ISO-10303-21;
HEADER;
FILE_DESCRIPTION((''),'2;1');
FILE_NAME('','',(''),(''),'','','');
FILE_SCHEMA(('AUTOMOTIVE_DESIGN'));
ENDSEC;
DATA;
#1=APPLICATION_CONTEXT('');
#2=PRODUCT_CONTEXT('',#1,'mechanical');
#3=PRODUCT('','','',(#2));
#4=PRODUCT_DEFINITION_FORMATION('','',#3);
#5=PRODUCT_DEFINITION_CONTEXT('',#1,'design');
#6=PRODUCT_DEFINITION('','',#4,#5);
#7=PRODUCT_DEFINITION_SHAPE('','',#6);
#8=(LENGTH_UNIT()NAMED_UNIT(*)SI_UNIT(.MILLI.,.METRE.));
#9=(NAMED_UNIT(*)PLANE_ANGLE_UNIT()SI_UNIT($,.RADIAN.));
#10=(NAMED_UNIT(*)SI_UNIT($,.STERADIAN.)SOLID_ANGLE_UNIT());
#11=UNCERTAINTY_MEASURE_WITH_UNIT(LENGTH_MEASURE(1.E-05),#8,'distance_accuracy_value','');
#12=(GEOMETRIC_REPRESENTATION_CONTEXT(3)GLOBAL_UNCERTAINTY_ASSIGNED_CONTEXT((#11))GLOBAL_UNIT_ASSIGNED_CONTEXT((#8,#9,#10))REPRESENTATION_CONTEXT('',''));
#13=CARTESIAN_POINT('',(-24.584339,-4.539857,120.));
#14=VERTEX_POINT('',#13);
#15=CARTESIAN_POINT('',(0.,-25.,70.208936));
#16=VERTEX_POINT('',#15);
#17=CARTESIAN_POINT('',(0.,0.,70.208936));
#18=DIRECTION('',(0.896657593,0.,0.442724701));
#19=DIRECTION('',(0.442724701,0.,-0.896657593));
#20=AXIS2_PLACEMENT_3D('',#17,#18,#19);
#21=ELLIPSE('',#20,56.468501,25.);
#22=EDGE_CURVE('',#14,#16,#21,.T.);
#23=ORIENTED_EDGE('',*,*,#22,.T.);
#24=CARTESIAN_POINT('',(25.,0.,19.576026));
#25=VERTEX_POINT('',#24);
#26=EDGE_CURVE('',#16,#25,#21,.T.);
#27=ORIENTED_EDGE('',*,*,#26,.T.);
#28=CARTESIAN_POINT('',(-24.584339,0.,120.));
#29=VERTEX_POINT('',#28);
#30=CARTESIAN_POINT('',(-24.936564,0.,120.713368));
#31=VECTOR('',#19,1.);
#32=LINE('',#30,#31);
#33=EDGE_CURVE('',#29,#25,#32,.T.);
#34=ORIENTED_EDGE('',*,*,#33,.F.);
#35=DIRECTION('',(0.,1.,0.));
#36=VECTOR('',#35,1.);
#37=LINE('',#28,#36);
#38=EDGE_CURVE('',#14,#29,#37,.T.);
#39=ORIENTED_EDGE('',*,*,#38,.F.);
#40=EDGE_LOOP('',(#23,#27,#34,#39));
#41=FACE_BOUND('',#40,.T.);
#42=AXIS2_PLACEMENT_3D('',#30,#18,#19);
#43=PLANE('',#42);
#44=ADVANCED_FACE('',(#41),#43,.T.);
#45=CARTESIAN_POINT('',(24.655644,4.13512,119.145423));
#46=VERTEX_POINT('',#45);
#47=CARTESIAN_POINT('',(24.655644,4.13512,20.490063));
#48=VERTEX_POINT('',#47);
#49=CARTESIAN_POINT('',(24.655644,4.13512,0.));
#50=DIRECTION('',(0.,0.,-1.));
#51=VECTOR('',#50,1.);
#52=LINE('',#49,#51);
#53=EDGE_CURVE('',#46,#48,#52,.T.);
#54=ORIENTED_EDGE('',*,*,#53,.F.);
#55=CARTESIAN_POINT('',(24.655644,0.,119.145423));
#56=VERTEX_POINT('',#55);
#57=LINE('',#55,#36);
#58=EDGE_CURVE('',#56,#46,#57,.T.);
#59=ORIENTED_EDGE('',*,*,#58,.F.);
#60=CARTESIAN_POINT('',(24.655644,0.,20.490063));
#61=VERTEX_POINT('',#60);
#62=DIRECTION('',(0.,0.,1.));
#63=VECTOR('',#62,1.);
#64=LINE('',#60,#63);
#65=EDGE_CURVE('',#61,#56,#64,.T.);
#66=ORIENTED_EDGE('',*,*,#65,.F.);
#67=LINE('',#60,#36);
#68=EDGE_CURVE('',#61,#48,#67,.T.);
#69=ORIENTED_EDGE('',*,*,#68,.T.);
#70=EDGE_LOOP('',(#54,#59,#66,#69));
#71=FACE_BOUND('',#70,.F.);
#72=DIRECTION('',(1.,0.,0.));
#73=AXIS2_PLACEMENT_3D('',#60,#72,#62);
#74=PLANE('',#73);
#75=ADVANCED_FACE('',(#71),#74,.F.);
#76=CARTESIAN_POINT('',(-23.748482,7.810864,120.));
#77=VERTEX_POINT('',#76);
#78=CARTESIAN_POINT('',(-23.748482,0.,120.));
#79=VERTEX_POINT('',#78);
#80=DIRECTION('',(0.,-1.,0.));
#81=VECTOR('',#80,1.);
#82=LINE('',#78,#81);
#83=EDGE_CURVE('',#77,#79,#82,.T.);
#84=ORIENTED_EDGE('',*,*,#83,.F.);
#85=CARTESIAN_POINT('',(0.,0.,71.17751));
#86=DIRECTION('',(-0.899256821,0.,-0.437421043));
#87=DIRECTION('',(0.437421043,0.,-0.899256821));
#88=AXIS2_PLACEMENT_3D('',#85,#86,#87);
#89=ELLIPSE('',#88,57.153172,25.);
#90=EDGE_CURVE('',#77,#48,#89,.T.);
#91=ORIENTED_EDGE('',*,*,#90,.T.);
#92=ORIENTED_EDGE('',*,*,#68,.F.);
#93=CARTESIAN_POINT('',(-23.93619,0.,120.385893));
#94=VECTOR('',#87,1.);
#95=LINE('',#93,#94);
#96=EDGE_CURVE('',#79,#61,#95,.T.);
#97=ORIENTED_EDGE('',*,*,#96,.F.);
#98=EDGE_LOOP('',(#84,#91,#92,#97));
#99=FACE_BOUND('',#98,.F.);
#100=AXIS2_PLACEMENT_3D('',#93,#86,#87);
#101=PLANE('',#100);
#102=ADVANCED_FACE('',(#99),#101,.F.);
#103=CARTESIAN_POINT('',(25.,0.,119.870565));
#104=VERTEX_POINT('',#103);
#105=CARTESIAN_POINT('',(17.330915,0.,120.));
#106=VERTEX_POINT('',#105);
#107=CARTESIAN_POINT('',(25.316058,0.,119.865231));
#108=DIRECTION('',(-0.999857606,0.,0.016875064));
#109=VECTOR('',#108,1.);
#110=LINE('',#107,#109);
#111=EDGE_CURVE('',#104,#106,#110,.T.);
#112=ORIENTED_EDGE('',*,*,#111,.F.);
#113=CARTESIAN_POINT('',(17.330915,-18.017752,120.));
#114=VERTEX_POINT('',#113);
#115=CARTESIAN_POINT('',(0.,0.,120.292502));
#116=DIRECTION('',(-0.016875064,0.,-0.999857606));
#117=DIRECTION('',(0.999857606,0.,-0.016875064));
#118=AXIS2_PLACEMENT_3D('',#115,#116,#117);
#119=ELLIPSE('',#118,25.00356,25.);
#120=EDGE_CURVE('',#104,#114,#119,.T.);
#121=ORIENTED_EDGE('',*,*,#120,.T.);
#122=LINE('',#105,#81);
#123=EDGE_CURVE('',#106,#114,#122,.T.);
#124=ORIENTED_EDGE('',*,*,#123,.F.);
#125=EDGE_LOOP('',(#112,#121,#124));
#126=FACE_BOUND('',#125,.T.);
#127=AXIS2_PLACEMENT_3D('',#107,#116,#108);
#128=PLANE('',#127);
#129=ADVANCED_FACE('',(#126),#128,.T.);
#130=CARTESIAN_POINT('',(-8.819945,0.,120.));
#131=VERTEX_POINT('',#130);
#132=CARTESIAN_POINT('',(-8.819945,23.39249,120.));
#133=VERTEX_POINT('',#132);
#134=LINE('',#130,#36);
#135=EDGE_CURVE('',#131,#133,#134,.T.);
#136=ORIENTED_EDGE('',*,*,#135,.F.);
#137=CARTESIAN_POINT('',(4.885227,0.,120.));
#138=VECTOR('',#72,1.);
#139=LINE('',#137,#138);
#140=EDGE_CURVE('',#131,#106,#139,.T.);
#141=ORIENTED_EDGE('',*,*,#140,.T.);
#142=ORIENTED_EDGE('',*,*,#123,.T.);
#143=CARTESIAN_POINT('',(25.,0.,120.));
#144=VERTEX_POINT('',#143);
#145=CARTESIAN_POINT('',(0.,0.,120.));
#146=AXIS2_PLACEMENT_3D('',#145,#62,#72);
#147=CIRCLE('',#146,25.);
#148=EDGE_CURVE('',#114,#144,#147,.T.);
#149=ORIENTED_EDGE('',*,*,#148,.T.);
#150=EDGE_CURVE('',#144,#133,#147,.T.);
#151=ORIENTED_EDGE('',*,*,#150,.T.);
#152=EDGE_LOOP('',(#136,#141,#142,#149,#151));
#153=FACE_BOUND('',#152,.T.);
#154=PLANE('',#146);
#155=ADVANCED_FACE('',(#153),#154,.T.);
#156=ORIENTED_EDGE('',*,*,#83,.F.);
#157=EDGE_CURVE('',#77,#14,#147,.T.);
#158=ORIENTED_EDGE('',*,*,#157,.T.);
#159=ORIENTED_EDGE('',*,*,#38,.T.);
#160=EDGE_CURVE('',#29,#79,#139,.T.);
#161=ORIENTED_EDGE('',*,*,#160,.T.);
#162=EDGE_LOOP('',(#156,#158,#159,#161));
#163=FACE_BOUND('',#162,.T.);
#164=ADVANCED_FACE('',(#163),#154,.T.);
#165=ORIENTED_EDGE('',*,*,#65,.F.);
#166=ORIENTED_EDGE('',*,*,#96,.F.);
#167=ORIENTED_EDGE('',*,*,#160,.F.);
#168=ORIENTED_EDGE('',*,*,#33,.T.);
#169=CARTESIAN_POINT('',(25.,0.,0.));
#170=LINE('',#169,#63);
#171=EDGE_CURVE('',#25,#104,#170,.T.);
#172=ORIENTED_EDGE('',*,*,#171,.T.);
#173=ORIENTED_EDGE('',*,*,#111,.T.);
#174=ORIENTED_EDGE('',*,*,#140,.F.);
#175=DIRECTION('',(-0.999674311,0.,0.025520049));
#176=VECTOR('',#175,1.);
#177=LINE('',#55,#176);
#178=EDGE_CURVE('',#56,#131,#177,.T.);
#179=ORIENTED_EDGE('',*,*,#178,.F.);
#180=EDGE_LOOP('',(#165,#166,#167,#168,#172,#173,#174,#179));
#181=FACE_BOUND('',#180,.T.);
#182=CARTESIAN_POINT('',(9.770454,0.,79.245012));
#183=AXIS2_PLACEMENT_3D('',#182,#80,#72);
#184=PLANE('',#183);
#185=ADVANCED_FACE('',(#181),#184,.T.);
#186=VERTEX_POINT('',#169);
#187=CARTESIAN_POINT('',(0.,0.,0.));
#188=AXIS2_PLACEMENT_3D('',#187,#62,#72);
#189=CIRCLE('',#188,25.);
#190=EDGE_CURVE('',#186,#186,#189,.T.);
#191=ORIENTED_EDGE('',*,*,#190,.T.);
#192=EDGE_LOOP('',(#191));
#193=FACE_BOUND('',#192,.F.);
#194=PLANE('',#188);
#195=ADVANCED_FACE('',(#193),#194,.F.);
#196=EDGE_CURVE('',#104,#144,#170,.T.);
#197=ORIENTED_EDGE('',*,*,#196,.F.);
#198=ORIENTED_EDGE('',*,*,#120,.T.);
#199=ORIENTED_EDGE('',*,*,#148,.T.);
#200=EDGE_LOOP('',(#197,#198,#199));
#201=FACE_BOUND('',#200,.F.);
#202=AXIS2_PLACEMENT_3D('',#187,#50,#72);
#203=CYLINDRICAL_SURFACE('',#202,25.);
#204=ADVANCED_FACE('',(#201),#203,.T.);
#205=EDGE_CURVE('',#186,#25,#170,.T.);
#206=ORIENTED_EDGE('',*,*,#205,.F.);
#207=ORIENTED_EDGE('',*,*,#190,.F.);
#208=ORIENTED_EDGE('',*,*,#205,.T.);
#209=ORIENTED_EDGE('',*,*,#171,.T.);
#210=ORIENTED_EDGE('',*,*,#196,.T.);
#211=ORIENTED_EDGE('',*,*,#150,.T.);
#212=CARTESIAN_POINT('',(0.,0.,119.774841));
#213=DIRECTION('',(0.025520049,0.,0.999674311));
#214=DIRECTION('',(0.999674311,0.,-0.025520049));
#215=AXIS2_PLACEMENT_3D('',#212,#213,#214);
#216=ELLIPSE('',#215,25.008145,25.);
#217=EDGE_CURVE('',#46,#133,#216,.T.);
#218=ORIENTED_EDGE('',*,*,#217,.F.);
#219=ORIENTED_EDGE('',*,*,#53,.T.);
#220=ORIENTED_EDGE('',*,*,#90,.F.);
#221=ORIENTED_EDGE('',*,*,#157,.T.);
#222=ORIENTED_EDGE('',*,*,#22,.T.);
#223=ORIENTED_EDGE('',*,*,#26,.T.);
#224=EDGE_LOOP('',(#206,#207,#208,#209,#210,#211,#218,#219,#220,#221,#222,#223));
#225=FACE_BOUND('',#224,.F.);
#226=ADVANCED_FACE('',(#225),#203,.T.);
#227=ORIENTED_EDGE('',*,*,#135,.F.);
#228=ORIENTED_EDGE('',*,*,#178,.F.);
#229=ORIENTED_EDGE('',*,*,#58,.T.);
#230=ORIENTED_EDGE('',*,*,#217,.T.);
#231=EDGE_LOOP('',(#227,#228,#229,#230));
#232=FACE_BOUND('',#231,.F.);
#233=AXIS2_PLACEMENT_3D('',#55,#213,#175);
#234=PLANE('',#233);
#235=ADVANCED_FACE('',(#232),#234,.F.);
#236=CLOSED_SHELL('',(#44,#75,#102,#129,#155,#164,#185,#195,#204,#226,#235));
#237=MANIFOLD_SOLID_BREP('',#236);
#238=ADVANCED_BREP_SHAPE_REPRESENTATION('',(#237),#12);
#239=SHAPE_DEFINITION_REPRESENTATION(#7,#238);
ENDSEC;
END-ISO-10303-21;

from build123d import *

# Parameters (mm, degrees)
F0_R     = 25
F1_DEPTH = 120
F3_DEPTH = 25
F5_DEPTH = 145


with BuildPart() as f1:
    # F0 (on Top) → F1 (new body)
    with BuildSketch(Plane.XY):
        Circle(F0_R)
    extrude(amount=F1_DEPTH)

    # F2 (on Front) → F3 (cut)
    with BuildSketch(Plane.XZ):
        Polygon((25.316058, 119.865231), (-24.936564, 120.713368), (25.316058, 18.935909), align=None)
    extrude(amount=F3_DEPTH, mode=Mode.SUBTRACT)

    # F4 (on Front) → F5 (cut)
    with BuildSketch(Plane.XZ):
        Polygon((24.655644, 119.145423), (-23.93619, 120.385893), (24.655644, 20.490063), align=None)
    extrude(amount=-F5_DEPTH, mode=Mode.SUBTRACT)


solid = f1.part
